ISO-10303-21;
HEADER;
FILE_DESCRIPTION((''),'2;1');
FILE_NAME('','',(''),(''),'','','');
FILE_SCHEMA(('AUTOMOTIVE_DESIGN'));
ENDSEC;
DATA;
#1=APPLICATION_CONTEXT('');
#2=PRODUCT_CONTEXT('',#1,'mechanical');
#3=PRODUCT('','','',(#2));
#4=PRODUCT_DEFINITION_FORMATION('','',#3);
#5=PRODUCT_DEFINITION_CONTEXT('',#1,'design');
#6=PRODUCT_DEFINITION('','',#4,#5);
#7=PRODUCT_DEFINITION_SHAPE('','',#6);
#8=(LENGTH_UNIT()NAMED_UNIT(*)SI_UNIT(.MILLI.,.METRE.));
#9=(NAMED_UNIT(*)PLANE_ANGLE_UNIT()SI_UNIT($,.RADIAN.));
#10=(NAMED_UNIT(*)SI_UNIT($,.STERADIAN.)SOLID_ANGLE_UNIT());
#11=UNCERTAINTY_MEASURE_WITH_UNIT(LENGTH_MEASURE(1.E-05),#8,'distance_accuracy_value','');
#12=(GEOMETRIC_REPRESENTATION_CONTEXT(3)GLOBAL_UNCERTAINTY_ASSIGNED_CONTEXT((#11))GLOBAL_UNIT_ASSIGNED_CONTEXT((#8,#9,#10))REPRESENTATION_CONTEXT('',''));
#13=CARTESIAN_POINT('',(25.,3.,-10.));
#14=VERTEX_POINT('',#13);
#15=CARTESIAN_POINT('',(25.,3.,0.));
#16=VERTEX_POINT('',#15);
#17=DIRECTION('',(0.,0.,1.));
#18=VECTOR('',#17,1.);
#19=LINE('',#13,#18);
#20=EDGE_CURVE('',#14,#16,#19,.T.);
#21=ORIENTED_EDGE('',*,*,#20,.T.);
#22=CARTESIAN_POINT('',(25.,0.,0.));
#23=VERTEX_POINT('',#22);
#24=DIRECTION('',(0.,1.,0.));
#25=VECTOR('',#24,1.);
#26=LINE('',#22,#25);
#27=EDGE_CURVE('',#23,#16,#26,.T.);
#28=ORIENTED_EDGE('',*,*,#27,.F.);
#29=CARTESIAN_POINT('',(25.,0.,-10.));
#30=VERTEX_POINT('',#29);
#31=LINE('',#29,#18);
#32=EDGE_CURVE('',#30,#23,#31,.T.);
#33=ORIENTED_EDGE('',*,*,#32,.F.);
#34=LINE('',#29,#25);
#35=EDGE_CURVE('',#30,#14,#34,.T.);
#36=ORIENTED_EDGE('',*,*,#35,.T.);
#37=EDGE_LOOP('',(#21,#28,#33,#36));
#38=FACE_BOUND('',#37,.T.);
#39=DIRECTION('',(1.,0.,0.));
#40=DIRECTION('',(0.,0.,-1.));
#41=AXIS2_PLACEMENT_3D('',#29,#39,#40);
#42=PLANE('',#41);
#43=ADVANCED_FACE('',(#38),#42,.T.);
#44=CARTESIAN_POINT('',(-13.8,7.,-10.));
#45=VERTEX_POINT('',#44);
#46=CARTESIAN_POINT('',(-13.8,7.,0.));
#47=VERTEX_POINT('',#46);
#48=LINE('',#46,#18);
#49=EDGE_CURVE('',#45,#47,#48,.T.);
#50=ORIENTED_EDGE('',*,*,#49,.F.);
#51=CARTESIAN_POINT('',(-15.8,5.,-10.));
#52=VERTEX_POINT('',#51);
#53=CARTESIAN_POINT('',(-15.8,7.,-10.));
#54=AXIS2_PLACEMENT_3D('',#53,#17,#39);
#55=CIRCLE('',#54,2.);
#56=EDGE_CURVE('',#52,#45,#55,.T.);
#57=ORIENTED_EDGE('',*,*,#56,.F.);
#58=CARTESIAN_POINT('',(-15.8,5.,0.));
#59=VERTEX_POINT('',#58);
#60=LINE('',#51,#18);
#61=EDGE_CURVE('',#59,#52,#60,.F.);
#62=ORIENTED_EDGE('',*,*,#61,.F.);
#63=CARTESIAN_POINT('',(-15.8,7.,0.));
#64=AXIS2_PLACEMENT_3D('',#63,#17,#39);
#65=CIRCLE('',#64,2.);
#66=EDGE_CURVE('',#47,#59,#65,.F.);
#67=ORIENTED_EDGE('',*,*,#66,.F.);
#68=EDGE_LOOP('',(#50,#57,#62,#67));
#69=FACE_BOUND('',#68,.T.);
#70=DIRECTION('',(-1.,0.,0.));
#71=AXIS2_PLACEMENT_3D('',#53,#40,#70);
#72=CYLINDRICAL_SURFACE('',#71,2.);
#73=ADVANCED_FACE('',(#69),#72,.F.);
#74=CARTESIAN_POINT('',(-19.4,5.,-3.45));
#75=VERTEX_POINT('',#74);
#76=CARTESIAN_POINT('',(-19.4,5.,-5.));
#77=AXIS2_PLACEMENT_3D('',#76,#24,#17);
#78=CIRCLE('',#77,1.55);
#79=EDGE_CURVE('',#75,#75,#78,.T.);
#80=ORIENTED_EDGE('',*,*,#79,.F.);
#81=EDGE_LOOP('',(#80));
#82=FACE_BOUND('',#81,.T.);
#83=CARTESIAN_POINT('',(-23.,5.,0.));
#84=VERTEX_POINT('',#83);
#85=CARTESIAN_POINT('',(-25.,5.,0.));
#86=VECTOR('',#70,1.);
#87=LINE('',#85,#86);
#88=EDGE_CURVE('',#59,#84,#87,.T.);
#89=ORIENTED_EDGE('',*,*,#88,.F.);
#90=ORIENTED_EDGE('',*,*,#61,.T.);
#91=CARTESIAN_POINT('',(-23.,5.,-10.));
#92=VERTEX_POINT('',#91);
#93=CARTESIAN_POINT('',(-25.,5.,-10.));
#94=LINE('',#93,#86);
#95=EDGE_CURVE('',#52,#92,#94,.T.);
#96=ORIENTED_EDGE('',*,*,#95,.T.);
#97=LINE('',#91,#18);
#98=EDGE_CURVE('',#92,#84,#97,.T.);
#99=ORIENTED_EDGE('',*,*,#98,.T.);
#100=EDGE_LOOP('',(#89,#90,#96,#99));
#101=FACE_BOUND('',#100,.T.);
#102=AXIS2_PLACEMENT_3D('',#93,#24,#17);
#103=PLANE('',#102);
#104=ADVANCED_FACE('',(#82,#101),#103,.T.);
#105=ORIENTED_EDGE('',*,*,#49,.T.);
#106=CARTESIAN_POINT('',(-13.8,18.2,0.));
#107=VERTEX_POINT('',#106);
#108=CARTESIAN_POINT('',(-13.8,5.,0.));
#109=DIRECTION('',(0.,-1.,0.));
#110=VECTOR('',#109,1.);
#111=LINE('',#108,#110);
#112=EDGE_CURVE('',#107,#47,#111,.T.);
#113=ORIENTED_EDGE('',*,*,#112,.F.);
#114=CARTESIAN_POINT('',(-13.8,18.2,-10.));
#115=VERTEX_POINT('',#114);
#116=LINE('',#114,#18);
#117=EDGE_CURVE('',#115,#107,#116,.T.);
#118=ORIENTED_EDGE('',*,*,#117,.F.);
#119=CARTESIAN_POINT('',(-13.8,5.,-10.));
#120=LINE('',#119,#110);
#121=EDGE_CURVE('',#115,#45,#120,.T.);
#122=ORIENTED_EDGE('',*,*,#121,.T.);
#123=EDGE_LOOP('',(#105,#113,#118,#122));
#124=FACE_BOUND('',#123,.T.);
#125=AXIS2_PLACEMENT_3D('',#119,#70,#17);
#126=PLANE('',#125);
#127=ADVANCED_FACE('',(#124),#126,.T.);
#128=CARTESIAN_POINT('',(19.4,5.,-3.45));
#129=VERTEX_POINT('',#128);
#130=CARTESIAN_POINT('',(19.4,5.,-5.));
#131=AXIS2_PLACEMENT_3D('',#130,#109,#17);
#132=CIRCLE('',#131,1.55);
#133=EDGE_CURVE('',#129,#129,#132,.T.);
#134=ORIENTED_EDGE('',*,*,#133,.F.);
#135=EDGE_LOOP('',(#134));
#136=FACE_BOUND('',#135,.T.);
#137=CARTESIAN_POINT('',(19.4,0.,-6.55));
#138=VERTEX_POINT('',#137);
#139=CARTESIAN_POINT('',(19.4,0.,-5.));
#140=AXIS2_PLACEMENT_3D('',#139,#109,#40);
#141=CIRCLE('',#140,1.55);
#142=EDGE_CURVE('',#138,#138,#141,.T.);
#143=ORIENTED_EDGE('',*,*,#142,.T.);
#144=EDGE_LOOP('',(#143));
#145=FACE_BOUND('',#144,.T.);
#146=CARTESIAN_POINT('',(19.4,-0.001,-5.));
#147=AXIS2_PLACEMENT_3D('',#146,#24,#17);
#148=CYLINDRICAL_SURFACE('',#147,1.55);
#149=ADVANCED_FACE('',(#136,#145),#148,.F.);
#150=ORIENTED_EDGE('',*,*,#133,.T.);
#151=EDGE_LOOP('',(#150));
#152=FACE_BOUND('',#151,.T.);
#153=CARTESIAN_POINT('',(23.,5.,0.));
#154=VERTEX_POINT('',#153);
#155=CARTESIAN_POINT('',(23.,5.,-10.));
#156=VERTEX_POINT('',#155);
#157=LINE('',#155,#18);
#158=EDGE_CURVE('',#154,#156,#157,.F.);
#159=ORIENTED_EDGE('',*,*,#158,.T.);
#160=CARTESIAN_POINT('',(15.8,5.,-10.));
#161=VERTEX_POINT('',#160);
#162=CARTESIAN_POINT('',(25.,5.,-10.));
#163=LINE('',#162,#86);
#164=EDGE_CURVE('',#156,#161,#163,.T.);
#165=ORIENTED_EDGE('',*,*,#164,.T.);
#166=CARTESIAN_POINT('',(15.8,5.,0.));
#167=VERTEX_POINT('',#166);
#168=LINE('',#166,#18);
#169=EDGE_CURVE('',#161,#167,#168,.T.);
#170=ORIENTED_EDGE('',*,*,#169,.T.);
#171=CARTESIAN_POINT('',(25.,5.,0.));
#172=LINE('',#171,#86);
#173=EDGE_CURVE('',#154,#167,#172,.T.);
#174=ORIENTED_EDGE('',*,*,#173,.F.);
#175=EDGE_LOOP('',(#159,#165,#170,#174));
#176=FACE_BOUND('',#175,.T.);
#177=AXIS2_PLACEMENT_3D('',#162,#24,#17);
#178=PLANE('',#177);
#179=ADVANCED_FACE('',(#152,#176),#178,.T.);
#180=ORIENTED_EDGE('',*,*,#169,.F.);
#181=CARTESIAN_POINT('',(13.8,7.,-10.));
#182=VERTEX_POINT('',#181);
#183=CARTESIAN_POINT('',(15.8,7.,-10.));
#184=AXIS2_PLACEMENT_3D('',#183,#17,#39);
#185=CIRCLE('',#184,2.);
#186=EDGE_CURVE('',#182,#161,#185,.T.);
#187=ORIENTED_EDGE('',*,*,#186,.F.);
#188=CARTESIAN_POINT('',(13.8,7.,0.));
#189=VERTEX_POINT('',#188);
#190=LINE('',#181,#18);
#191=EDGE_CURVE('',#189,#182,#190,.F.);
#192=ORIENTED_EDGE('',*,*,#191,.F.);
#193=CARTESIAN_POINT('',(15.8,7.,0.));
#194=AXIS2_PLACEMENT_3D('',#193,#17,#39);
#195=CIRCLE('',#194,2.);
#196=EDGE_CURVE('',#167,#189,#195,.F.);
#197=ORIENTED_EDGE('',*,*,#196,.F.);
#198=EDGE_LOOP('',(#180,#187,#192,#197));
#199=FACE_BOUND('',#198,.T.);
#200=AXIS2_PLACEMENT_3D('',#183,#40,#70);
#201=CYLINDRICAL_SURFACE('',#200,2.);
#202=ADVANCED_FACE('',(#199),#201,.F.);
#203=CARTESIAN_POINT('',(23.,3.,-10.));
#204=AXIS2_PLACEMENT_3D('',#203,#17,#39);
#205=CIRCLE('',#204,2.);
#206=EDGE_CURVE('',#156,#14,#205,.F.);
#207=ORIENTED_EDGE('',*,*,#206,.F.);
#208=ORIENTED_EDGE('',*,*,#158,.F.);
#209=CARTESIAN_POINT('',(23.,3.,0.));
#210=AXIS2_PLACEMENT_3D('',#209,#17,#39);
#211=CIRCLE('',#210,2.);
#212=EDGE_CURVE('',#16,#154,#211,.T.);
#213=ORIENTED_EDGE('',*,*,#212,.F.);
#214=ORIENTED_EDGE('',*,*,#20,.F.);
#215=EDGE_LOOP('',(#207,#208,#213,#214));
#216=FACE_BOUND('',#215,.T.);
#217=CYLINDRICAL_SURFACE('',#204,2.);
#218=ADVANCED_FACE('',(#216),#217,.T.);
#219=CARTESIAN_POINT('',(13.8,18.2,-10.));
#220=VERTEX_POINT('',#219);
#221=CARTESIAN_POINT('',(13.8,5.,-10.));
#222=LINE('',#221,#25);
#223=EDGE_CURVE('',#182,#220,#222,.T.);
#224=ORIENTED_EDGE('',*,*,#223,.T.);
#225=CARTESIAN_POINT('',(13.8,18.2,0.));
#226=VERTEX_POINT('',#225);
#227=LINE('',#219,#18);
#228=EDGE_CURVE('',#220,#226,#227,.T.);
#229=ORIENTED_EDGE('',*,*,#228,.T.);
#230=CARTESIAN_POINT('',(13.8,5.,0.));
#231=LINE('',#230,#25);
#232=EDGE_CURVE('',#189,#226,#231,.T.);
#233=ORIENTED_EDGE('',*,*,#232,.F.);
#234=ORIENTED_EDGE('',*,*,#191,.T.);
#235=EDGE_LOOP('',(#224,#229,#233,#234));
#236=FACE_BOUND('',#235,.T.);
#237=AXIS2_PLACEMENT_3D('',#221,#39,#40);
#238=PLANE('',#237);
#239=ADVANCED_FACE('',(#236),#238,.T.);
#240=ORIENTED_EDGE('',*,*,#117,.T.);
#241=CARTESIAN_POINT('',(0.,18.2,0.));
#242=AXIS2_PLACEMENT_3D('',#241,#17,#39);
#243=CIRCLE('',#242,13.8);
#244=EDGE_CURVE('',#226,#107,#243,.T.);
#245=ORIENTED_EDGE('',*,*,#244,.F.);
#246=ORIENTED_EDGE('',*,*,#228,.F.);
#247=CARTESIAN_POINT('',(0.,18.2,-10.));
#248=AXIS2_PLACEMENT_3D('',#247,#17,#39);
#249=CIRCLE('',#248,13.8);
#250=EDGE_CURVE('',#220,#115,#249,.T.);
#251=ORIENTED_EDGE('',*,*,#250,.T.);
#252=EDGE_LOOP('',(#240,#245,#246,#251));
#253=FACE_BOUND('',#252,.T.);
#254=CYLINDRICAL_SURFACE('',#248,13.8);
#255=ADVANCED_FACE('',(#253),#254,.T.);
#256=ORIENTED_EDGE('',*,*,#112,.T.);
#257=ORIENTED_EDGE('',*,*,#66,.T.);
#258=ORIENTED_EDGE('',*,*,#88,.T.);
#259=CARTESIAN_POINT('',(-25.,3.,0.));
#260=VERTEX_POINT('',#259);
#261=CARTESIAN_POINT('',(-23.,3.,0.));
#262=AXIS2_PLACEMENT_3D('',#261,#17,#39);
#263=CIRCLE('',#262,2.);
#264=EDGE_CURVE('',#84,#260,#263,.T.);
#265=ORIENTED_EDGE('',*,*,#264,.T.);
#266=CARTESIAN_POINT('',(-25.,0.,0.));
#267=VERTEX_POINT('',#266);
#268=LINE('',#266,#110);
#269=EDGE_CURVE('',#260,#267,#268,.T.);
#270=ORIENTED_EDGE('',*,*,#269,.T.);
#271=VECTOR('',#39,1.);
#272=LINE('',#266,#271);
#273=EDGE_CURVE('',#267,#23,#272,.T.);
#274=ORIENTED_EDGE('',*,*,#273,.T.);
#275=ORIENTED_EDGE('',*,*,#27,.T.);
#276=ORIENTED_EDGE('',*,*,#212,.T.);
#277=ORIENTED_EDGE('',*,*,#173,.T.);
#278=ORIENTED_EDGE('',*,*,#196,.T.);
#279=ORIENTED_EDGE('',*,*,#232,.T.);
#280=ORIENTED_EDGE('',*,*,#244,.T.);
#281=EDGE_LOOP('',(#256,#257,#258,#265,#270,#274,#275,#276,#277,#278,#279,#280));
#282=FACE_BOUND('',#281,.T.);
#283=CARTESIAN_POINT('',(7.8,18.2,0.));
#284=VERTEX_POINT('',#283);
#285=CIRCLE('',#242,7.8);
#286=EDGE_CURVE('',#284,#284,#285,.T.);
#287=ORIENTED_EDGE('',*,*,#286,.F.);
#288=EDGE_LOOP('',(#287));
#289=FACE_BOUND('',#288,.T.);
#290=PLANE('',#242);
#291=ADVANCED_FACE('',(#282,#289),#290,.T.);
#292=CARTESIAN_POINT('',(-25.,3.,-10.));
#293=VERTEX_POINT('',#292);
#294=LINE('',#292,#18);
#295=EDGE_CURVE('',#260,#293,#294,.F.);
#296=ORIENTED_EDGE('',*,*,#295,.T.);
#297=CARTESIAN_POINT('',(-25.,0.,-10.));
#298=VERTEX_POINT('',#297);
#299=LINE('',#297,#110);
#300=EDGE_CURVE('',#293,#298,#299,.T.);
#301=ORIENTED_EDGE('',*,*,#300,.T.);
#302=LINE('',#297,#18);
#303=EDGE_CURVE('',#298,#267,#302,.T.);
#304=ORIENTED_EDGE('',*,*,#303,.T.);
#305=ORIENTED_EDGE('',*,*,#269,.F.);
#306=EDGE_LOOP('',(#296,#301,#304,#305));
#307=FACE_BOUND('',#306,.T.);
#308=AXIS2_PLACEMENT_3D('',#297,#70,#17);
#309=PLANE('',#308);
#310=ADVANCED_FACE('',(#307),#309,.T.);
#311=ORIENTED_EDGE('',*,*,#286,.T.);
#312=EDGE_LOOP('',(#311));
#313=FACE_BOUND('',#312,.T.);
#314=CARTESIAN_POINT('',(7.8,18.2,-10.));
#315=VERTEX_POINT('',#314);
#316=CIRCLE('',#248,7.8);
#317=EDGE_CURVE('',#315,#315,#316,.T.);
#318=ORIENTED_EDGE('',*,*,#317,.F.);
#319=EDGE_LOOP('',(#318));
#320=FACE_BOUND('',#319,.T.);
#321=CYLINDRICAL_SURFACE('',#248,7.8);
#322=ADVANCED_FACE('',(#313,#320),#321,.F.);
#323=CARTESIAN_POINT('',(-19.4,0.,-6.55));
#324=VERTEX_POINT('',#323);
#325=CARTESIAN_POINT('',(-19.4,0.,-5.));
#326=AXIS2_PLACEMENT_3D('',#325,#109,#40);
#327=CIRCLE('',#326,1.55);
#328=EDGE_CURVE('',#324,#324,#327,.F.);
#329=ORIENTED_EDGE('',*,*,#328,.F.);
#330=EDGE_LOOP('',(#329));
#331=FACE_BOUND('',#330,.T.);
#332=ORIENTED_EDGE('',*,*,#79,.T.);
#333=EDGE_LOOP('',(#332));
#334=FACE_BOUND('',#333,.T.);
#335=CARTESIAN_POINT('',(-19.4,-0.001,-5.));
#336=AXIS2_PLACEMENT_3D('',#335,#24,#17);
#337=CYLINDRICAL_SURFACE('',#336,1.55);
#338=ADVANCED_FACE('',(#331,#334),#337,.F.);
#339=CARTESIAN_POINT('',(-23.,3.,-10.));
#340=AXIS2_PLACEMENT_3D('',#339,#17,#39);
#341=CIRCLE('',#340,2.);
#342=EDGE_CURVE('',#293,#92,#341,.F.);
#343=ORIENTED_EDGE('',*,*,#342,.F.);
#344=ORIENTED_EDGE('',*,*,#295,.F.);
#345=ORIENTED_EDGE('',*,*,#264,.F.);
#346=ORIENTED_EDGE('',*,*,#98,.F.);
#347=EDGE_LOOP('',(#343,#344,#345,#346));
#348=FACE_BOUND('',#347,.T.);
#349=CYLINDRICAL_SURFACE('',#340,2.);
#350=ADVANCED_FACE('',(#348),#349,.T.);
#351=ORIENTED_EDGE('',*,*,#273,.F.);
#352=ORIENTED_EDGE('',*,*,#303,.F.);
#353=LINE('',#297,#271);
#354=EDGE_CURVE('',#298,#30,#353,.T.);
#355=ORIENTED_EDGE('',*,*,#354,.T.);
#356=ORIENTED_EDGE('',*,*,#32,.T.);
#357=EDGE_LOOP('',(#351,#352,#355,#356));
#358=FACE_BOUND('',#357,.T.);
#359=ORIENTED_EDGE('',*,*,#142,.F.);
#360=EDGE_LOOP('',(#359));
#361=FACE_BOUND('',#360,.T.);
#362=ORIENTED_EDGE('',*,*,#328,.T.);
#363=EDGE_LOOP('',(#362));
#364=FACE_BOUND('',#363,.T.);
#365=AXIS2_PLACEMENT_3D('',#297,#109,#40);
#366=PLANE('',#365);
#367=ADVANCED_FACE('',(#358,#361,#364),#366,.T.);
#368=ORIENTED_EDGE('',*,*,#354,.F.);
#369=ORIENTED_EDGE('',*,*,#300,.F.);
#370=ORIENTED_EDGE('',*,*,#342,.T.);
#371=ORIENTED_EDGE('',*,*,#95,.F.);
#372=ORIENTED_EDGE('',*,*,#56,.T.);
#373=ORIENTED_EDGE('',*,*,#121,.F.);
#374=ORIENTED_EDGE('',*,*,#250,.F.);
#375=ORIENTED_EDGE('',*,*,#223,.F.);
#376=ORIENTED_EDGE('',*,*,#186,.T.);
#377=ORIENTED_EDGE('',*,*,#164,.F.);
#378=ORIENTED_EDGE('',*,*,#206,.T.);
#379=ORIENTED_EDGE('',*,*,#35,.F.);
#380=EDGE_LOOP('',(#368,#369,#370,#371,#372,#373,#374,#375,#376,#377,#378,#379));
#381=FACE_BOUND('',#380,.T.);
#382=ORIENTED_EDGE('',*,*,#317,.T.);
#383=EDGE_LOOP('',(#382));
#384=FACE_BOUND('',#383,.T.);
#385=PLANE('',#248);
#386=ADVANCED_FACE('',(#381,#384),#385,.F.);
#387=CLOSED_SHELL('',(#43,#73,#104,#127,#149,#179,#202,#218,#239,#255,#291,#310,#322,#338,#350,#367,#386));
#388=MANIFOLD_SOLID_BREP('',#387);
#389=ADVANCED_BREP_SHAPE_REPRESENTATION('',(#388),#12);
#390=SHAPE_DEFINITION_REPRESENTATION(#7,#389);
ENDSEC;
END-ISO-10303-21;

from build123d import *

# Parameters (mm, degrees)
SKETCH1_R           = 7.8
BOSS_EXTRUDE1_DEPTH = 10
SKETCH2_R           = 1.55
CUT_EXTRUDE1_DEPTH  = 5
FILLET1_R           = 2


with BuildPart() as part:
    # Sketch1 → Boss-Extrude1 (new body)
    with BuildSketch(Plane.XY):
        with BuildLine():
            Line((-25, 0), (25, 0))
            Line((25, 0), (25, 5))
            Line((25, 5), (13.8, 5))
            Line((13.8, 5), (13.8, 18.2))
            ThreePointArc((13.8, 18.2), (0, 32), (-13.8, 18.2))
            Line((-13.8, 18.2), (-13.8, 5))
            Line((-13.8, 5), (-25, 5))
            Line((-25, 5), (-25, 0))
        make_face()
        with Locations((0, 18.2)):
            Circle(SKETCH1_R, mode=Mode.SUBTRACT)
    extrude(amount=-BOSS_EXTRUDE1_DEPTH)

    # Sketch2 → Cut-Extrude1 (cut)
    with BuildSketch(Plane(origin=(0, 5, 0), x_dir=(1, 0, 0), z_dir=(0, 1, 0))):
        with Locations((-19.4, 5)):
            Circle(SKETCH2_R)
    cut_extrude1 = extrude(amount=-CUT_EXTRUDE1_DEPTH, mode=Mode.SUBTRACT)

    # Mirror1: Cut-Extrude1 across plane
    add(cut_extrude1.mirror(Plane(origin=(0, 0, 0), x_dir=(0, 0, 1), z_dir=(1, 0, 0))), mode=Mode.SUBTRACT)

    # Fillet1
    fillet1_edges = [part.edges().sort_by_distance(p)[0] for p in [
        (-25, 5, -5),
        (-13.8, 5, -5),
        (13.8, 5, -5),
        (25, 5, -5),
    ]]
    fillet(fillet1_edges, radius=FILLET1_R)


solid = part.part
